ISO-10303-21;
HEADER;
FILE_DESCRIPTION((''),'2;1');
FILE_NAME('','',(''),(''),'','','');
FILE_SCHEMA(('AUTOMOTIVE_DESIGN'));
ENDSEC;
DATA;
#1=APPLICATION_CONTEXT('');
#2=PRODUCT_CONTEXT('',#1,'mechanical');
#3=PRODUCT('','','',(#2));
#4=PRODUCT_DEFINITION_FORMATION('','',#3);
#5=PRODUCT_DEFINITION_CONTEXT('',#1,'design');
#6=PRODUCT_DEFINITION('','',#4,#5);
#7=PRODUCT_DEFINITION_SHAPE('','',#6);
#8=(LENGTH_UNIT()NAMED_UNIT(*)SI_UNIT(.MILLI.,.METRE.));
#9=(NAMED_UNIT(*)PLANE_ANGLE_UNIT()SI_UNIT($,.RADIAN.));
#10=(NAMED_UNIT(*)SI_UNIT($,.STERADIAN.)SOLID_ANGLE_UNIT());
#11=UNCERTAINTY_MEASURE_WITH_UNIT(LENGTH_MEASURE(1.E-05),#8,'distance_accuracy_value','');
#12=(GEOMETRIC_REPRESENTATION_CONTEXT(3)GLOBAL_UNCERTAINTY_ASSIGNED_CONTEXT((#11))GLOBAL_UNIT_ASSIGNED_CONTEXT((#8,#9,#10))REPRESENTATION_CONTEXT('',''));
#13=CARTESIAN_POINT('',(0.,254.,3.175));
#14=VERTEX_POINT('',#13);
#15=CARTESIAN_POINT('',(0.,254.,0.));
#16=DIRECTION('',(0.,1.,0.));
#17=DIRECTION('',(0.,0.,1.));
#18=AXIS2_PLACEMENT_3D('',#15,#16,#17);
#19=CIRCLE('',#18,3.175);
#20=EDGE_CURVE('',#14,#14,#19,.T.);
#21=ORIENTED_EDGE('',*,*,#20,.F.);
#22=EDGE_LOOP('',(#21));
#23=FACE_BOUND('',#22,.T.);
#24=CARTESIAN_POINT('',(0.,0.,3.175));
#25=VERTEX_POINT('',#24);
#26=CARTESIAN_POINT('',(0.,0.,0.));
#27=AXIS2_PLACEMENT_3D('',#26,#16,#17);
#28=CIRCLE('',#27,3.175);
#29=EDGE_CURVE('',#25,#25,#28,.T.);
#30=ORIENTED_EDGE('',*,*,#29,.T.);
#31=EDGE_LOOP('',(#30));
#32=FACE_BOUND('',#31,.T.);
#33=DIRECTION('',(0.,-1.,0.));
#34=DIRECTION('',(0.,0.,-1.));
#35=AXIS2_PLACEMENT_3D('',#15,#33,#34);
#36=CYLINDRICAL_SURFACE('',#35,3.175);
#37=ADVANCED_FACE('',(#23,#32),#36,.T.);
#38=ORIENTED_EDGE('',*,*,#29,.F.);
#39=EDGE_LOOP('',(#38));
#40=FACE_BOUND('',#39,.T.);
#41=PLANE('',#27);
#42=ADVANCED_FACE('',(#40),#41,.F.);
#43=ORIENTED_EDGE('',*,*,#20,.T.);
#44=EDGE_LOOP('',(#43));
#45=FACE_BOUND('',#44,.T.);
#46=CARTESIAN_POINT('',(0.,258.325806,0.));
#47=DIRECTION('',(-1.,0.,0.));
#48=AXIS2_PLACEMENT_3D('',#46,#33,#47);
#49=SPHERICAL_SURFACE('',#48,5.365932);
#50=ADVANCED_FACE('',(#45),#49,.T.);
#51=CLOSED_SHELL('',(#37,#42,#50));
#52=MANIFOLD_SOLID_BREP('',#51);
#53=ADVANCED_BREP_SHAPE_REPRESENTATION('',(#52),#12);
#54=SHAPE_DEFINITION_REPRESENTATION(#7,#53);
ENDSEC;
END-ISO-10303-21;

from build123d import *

# Parameters (mm, degrees)
SKETCH2_R           = 3.175
BOSS_EXTRUDE1_DEPTH = 254


with BuildPart() as part:
    # Sketch2 → Boss-Extrude1 (new body)
    with BuildSketch(Plane(origin=(0, 0, 0), x_dir=(1, 0, 0), z_dir=(0, 1, 0))):
        Circle(SKETCH2_R)
    extrude(amount=BOSS_EXTRUDE1_DEPTH)

    # Sketch3 → Revolve1 (revolve)
    with BuildSketch(Plane.XY):
        with BuildLine():
            Line((0, 252.959874363), (0, 263.691737843))
            ThreePointArc((0, 263.691737843), (-5.36593174, 258.325806103), (0, 252.959874363))
        make_face()
    revolve(axis=Axis((0, 252.959874363, 0), (0, 1, 0)))


solid = part.part
